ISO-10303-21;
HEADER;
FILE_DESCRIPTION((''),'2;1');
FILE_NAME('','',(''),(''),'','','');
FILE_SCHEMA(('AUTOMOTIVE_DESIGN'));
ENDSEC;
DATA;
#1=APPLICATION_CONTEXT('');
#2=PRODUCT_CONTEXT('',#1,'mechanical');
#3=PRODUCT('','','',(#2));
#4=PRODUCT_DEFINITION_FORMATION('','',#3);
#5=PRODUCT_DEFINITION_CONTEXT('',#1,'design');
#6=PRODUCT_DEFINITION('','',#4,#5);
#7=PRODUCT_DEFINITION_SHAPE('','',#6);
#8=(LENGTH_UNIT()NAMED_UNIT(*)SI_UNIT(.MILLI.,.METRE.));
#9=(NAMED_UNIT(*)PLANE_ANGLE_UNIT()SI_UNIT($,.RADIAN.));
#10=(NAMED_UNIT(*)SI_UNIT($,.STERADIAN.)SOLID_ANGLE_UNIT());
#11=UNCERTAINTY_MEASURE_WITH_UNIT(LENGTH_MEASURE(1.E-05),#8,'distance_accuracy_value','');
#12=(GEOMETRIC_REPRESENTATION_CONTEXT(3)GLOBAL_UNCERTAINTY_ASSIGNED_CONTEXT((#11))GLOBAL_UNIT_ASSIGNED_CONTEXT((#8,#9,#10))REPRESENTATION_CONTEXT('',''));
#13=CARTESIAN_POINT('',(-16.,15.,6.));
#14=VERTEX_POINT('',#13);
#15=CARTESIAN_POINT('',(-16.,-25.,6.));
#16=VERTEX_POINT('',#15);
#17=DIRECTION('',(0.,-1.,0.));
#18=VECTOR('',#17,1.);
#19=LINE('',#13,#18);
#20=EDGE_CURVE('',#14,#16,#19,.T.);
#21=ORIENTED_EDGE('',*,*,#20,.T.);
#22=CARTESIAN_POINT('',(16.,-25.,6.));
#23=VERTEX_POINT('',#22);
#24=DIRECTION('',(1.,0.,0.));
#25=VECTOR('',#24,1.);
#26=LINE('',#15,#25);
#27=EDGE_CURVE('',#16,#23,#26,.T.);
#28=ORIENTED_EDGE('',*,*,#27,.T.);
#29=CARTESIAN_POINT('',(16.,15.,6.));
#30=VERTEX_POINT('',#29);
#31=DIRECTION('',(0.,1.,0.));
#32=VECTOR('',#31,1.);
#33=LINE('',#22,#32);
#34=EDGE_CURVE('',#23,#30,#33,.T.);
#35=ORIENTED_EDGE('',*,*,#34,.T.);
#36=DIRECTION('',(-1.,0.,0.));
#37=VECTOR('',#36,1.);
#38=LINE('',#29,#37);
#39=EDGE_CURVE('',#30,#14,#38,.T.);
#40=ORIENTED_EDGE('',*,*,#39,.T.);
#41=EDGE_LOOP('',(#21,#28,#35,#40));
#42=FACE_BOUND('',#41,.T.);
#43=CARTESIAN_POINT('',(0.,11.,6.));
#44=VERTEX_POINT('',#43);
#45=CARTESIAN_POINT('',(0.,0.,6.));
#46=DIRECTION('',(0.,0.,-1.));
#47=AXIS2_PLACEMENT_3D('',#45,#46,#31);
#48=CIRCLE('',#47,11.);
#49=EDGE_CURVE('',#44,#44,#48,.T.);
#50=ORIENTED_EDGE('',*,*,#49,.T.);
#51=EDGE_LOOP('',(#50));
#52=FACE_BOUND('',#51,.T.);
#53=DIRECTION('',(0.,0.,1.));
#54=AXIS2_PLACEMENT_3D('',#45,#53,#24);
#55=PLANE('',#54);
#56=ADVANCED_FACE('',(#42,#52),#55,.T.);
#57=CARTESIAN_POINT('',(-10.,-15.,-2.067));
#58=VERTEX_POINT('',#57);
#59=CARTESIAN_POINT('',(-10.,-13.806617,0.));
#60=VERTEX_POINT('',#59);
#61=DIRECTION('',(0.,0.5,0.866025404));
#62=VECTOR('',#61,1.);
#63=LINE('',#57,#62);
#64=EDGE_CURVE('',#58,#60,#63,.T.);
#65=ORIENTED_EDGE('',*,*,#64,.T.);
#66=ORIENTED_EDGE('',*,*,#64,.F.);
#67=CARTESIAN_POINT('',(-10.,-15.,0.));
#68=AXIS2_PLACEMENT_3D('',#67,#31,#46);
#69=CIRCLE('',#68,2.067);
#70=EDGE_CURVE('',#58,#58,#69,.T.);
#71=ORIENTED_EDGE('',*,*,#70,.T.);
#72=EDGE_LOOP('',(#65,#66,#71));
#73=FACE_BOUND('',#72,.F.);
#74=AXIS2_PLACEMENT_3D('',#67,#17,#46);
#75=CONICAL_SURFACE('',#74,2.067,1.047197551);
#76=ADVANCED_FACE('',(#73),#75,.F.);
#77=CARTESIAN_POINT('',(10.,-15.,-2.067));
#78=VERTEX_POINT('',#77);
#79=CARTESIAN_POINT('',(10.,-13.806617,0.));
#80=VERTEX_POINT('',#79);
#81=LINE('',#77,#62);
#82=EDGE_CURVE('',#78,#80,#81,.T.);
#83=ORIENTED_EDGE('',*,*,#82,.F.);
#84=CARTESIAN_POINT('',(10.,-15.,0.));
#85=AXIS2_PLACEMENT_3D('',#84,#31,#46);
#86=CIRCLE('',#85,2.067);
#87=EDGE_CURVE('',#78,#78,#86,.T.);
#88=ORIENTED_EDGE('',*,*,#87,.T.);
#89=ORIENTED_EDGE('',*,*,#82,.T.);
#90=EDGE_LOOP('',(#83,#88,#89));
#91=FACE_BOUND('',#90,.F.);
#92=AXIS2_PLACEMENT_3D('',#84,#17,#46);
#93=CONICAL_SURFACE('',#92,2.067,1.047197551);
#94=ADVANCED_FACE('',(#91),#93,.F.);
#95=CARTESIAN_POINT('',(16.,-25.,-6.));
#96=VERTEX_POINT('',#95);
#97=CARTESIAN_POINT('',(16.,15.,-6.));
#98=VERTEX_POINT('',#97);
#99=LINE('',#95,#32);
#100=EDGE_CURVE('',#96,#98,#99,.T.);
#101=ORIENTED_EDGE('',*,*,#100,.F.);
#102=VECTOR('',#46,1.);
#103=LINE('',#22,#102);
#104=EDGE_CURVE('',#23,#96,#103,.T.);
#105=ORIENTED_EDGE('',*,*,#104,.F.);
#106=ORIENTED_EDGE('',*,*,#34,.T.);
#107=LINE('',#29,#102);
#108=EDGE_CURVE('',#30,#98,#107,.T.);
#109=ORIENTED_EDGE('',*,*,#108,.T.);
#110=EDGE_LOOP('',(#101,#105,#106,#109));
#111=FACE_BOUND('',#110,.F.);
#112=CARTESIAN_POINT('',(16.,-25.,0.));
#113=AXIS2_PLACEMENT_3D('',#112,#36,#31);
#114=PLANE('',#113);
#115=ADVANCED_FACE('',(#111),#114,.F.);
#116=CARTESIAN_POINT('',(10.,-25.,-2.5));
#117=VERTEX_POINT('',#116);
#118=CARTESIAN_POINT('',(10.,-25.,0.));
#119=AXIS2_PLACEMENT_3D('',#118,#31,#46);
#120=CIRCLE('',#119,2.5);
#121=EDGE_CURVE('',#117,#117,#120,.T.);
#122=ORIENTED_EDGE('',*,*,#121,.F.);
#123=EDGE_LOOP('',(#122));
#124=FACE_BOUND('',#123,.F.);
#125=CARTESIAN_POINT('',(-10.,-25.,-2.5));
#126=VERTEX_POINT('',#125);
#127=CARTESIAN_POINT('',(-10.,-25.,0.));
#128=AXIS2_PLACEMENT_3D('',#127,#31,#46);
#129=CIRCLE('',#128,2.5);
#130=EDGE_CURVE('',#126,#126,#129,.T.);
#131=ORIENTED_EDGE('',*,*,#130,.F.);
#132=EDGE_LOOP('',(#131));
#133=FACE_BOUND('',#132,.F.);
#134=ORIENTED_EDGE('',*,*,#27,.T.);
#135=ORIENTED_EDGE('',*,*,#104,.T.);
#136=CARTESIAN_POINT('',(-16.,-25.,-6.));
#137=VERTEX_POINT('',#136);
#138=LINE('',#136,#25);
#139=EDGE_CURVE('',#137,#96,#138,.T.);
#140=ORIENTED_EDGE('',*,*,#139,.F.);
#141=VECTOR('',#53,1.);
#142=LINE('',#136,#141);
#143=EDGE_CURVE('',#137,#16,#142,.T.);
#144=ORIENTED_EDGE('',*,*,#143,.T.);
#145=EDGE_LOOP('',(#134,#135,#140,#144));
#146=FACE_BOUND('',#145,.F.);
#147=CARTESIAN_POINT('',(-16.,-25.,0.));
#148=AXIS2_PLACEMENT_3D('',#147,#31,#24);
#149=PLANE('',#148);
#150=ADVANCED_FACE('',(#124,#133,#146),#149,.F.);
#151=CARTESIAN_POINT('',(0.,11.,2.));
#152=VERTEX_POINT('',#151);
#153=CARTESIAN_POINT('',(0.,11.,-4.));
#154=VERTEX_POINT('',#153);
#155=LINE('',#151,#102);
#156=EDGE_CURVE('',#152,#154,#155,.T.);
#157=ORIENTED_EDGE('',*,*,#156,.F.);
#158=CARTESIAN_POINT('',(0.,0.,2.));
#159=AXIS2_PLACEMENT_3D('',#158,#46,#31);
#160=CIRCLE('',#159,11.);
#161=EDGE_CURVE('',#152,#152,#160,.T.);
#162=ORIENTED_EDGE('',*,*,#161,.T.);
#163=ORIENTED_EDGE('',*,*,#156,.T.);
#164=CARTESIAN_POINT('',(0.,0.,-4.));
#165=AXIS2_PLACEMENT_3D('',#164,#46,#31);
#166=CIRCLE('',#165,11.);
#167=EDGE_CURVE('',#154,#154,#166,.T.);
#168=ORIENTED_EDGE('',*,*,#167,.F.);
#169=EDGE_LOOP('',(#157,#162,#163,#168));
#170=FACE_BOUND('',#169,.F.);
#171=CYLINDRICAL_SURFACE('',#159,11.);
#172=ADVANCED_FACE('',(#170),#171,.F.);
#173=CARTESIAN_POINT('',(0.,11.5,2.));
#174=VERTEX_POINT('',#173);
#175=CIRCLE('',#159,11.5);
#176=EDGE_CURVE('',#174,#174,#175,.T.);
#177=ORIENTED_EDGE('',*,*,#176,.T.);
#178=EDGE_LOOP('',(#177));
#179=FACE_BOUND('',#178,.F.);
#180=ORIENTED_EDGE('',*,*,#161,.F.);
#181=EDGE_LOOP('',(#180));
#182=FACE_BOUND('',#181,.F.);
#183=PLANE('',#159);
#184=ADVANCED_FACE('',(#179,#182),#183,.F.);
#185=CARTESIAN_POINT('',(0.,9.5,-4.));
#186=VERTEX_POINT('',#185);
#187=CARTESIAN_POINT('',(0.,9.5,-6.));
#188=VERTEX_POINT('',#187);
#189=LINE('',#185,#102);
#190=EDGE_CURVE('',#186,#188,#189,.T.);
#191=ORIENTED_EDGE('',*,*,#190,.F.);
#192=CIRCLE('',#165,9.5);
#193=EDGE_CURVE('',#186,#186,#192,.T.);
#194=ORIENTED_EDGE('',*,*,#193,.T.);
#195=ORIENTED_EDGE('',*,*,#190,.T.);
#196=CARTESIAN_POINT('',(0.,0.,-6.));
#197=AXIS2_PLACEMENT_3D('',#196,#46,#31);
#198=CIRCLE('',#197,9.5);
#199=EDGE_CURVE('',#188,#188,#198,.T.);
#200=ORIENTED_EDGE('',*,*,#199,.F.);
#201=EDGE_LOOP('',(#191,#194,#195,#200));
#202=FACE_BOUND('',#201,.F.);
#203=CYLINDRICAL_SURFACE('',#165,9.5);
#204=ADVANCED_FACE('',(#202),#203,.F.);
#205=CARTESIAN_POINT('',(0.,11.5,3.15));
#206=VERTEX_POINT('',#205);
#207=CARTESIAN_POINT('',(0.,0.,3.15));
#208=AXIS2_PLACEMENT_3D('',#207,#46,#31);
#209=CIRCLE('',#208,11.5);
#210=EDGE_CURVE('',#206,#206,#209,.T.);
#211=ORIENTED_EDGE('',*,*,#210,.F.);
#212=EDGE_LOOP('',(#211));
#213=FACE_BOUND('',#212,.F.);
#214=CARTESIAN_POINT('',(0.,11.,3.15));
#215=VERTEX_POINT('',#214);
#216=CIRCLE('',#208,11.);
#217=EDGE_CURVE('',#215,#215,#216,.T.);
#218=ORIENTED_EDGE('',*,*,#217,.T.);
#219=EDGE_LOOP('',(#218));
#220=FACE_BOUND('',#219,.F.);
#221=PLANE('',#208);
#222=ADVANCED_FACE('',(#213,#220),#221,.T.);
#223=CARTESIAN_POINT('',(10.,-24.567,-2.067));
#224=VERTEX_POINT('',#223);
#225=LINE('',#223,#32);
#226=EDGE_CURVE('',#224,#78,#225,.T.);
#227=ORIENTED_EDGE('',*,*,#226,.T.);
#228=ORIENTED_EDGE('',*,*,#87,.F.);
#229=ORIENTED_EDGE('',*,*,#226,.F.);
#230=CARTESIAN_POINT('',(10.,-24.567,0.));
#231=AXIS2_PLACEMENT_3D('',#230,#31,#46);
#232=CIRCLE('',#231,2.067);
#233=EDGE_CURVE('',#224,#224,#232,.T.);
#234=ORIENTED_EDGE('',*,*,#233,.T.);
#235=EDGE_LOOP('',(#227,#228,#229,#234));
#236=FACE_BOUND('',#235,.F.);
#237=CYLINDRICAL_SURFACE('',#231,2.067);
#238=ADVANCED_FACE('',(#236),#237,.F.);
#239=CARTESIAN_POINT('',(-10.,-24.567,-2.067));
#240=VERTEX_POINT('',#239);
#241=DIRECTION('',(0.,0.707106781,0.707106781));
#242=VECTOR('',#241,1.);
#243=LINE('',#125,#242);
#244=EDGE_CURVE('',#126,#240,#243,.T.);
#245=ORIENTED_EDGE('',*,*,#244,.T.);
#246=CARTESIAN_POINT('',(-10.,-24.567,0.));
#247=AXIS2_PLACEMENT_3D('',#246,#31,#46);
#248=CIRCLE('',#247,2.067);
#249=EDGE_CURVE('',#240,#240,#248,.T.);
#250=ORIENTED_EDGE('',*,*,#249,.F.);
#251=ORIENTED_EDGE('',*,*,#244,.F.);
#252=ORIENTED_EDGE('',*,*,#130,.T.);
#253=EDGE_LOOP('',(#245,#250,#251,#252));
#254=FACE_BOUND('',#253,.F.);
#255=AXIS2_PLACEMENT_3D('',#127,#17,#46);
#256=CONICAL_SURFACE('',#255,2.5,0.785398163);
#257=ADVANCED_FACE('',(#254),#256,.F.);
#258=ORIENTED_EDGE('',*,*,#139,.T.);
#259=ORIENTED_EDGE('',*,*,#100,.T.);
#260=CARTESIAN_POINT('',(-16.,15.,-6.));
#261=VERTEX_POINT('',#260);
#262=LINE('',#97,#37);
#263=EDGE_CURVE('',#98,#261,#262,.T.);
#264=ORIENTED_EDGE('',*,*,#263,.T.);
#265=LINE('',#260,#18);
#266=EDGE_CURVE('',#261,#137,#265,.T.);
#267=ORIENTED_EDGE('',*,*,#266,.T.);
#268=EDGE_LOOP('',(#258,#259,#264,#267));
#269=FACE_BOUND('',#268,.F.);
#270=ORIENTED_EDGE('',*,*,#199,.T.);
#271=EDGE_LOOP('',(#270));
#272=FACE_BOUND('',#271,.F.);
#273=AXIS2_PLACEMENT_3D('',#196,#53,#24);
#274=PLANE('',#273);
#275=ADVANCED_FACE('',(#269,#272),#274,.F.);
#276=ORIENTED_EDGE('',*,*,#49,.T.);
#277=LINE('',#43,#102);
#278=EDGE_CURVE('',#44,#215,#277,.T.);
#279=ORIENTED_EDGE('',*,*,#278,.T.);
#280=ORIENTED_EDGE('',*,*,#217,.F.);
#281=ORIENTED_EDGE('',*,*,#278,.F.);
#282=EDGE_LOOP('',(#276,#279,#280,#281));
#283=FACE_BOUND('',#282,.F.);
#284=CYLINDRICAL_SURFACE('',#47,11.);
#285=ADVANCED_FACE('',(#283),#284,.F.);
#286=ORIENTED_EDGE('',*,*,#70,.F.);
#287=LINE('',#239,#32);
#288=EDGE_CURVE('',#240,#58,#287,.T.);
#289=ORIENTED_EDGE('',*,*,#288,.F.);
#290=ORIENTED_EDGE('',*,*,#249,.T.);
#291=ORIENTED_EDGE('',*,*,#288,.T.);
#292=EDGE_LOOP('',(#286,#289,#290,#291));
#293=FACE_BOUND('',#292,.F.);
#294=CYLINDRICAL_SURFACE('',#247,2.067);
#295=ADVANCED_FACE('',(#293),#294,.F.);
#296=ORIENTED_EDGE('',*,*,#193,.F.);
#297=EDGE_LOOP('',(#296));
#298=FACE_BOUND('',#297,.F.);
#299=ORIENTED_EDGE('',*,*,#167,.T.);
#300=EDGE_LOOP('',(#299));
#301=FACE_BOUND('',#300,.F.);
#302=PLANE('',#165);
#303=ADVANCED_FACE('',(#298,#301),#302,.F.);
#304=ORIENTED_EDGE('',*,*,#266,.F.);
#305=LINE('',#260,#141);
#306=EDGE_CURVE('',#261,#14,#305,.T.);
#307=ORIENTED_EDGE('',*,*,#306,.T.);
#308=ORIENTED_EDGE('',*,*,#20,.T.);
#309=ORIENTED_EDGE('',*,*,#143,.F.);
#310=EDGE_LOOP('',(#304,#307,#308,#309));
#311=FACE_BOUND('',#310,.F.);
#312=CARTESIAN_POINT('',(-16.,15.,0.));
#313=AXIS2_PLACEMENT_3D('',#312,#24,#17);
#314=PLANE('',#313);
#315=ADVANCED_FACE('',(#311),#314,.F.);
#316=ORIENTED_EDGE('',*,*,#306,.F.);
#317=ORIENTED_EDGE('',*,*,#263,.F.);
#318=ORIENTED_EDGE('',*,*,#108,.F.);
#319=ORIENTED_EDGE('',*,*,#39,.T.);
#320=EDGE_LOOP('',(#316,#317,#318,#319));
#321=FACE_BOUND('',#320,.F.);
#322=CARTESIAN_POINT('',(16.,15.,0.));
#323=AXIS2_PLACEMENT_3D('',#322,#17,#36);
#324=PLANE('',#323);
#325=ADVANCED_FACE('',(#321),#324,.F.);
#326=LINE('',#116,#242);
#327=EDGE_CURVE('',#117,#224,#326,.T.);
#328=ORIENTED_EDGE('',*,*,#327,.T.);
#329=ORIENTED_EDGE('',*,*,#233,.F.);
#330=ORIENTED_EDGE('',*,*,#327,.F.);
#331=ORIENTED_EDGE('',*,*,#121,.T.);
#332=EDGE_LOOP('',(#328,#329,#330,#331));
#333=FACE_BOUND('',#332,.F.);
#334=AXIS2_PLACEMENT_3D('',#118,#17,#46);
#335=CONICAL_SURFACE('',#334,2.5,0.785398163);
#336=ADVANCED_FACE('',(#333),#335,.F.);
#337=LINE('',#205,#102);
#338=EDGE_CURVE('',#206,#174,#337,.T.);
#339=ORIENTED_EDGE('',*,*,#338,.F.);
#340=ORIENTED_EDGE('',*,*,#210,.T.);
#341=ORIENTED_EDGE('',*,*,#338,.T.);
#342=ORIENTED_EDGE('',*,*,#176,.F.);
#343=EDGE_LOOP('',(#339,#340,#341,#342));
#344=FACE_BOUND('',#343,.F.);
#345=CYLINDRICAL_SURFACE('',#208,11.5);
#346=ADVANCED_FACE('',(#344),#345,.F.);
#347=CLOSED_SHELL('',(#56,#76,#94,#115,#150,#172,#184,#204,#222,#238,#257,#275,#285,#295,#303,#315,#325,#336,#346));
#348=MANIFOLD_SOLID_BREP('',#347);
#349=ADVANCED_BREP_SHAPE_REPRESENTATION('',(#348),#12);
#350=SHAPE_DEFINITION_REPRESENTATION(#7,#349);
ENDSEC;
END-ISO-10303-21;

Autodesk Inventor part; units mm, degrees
sketch "_____1" plane through (0, 0, 0) normal (0, 0, 1) x (1, 0, 0)
  line L0 (-16, 15) -> (-16, -25)
  line L1 (-16, -25) -> (16, -25)
  line L2 (16, -25) -> (16, 15)
  line L3 (16, 15) -> (-16, 15)
extrude "Extrusion1" add sketch "_____1" along normal mid plane 12
sketch "Sketch_2" plane through (0, 0, 0) normal (1, 0, 0) x (0, 1, 0)
  line L0 (0, -6) -> (0, 6)
  line L1 (0, 6) -> (11, 6)
  line L2 (11, 6) -> (11, 3.15)
  line L3 (11, 3.15) -> (11.5, 3.15)
  line L4 (11.5, 3.15) -> (11.5, 2)
  line L5 (11.5, 2) -> (11, 2)
  line L6 (11, 2) -> (11, -4)
  line L7 (11, -4) -> (9.5, -4)
  line L8 (9.5, -4) -> (9.5, -6)
  line L9 (9.5, -6) -> (0, -6)
  line L10 (0, -6) -> (0, 6)
revolve "Revolution1" cut sketch "Sketch_2" angle 360 about axis through (0, 0, -6) along (0, 0, -1)
sketch "Sketch3" plane through (-16, -25, 6) normal (0, -1, 0) x (1, 0, 0)
  point P0 (6, -6)
hole "Hole1" at (-10, -25, 0) direction (0, 1, 0) diameter 4.134 depth 10 tip angle 120 countersink diameter 5 countersink angle 90 thread size "M5x0.8" class "6H" standard "ISO Metric profile"
pattern_linear "Rectangular Pattern1" count 2 spacing 20 along (1, 0, 0) of "Hole1"
ref_plane "to_bearing_XY" through (0, 0, -4) normal (0, 0, -1) x (1, 0, 0)
ref_plane "to_bearing_YZ" through (0, 0, -4) normal (1, 0, 0) x (0, -1, 0)
ref_plane "to_bearing_ZX" through (0, 0, -4) normal (0, -1, 0) x (0, 0, -1)
ref_plane "to_ring_XY" through (0, 0, 2) normal (0, 0, -1) x (1, 0, 0)
ref_plane "to_ring_YZ" through (0, 0, 2) normal (1, 0, 0) x (0, -1, 0)
ref_plane "to_ring_ZX" through (0, 0, 2) normal (0, -1, 0) x (0, 0, -1)
properties part number "BGBFS6900DD-25-_h"
